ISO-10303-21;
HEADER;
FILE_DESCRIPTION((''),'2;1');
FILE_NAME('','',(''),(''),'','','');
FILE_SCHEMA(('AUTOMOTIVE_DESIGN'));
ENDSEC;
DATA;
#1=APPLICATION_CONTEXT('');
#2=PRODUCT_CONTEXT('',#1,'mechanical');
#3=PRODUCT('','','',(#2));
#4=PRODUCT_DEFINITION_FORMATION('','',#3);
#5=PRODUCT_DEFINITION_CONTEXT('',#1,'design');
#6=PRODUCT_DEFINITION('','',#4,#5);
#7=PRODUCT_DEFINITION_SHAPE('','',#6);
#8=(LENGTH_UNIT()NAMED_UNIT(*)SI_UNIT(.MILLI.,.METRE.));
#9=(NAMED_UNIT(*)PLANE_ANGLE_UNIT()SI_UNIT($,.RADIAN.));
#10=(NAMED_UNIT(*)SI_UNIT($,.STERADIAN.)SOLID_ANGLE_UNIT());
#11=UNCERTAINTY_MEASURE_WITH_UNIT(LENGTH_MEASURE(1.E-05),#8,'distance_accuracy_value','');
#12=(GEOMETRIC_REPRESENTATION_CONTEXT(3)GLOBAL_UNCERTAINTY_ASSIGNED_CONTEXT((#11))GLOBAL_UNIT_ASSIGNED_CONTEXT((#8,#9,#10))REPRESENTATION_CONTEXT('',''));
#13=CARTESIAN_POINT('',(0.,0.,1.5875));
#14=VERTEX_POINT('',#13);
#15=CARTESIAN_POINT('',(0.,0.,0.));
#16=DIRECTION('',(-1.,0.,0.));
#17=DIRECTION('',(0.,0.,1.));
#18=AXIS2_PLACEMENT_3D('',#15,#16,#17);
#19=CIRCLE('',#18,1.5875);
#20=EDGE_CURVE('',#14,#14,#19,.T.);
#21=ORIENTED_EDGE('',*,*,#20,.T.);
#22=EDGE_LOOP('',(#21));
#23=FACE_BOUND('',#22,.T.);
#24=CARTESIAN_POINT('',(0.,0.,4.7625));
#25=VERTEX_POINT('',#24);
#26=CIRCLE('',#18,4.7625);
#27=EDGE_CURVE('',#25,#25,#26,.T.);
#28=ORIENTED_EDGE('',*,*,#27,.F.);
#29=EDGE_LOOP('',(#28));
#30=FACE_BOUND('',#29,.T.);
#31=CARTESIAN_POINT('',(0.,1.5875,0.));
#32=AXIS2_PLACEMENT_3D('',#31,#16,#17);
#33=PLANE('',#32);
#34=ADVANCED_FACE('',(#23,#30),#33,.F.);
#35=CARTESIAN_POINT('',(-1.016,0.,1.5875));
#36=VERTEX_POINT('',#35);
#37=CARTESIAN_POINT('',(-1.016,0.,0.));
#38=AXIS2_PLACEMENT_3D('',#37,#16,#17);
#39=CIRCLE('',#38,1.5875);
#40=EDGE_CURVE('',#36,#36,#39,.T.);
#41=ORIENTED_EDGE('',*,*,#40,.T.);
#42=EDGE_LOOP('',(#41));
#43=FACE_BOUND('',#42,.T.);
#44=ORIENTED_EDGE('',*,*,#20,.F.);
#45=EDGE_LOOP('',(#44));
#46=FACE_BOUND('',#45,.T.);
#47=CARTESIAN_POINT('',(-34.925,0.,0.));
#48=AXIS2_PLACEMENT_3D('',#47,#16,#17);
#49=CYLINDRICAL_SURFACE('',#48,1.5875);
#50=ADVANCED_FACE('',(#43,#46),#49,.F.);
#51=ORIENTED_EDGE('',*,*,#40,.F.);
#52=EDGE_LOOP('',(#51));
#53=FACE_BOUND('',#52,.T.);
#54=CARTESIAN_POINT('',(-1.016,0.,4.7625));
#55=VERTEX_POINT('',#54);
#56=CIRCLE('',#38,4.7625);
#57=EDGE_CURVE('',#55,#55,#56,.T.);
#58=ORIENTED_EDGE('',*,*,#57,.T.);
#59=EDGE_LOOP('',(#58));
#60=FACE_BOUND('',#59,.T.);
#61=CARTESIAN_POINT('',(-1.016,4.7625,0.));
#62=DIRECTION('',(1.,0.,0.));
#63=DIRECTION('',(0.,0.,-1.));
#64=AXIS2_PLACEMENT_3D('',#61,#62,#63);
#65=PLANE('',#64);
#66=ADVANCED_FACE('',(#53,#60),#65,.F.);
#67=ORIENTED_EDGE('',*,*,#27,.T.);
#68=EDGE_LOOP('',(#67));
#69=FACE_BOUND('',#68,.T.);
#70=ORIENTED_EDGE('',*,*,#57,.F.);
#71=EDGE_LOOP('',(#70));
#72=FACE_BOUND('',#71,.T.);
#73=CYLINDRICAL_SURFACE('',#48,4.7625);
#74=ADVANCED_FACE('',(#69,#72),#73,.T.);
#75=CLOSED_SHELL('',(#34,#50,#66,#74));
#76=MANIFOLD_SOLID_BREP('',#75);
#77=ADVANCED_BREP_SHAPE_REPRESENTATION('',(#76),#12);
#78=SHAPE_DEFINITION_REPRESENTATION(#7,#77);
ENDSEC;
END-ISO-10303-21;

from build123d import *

# Parameters (mm, degrees)
SKETCH1_W = 1.016
SKETCH1_H = 3.175


with BuildPart() as part:
    # Sketch1 → Base-Revolve (revolve)
    with BuildSketch(Plane.XY, mode=Mode.PRIVATE) as base_revolve_sk:
        with Locations((-0.508, 3.175)):
            Rectangle(SKETCH1_W, SKETCH1_H)
    revolve(base_revolve_sk.sketch.rotate(Axis((-34.925, 0, 0), (1, 0, 0)), 90), axis=Axis((-34.925, 0, 0), (1, 0, 0)))


solid = part.part
